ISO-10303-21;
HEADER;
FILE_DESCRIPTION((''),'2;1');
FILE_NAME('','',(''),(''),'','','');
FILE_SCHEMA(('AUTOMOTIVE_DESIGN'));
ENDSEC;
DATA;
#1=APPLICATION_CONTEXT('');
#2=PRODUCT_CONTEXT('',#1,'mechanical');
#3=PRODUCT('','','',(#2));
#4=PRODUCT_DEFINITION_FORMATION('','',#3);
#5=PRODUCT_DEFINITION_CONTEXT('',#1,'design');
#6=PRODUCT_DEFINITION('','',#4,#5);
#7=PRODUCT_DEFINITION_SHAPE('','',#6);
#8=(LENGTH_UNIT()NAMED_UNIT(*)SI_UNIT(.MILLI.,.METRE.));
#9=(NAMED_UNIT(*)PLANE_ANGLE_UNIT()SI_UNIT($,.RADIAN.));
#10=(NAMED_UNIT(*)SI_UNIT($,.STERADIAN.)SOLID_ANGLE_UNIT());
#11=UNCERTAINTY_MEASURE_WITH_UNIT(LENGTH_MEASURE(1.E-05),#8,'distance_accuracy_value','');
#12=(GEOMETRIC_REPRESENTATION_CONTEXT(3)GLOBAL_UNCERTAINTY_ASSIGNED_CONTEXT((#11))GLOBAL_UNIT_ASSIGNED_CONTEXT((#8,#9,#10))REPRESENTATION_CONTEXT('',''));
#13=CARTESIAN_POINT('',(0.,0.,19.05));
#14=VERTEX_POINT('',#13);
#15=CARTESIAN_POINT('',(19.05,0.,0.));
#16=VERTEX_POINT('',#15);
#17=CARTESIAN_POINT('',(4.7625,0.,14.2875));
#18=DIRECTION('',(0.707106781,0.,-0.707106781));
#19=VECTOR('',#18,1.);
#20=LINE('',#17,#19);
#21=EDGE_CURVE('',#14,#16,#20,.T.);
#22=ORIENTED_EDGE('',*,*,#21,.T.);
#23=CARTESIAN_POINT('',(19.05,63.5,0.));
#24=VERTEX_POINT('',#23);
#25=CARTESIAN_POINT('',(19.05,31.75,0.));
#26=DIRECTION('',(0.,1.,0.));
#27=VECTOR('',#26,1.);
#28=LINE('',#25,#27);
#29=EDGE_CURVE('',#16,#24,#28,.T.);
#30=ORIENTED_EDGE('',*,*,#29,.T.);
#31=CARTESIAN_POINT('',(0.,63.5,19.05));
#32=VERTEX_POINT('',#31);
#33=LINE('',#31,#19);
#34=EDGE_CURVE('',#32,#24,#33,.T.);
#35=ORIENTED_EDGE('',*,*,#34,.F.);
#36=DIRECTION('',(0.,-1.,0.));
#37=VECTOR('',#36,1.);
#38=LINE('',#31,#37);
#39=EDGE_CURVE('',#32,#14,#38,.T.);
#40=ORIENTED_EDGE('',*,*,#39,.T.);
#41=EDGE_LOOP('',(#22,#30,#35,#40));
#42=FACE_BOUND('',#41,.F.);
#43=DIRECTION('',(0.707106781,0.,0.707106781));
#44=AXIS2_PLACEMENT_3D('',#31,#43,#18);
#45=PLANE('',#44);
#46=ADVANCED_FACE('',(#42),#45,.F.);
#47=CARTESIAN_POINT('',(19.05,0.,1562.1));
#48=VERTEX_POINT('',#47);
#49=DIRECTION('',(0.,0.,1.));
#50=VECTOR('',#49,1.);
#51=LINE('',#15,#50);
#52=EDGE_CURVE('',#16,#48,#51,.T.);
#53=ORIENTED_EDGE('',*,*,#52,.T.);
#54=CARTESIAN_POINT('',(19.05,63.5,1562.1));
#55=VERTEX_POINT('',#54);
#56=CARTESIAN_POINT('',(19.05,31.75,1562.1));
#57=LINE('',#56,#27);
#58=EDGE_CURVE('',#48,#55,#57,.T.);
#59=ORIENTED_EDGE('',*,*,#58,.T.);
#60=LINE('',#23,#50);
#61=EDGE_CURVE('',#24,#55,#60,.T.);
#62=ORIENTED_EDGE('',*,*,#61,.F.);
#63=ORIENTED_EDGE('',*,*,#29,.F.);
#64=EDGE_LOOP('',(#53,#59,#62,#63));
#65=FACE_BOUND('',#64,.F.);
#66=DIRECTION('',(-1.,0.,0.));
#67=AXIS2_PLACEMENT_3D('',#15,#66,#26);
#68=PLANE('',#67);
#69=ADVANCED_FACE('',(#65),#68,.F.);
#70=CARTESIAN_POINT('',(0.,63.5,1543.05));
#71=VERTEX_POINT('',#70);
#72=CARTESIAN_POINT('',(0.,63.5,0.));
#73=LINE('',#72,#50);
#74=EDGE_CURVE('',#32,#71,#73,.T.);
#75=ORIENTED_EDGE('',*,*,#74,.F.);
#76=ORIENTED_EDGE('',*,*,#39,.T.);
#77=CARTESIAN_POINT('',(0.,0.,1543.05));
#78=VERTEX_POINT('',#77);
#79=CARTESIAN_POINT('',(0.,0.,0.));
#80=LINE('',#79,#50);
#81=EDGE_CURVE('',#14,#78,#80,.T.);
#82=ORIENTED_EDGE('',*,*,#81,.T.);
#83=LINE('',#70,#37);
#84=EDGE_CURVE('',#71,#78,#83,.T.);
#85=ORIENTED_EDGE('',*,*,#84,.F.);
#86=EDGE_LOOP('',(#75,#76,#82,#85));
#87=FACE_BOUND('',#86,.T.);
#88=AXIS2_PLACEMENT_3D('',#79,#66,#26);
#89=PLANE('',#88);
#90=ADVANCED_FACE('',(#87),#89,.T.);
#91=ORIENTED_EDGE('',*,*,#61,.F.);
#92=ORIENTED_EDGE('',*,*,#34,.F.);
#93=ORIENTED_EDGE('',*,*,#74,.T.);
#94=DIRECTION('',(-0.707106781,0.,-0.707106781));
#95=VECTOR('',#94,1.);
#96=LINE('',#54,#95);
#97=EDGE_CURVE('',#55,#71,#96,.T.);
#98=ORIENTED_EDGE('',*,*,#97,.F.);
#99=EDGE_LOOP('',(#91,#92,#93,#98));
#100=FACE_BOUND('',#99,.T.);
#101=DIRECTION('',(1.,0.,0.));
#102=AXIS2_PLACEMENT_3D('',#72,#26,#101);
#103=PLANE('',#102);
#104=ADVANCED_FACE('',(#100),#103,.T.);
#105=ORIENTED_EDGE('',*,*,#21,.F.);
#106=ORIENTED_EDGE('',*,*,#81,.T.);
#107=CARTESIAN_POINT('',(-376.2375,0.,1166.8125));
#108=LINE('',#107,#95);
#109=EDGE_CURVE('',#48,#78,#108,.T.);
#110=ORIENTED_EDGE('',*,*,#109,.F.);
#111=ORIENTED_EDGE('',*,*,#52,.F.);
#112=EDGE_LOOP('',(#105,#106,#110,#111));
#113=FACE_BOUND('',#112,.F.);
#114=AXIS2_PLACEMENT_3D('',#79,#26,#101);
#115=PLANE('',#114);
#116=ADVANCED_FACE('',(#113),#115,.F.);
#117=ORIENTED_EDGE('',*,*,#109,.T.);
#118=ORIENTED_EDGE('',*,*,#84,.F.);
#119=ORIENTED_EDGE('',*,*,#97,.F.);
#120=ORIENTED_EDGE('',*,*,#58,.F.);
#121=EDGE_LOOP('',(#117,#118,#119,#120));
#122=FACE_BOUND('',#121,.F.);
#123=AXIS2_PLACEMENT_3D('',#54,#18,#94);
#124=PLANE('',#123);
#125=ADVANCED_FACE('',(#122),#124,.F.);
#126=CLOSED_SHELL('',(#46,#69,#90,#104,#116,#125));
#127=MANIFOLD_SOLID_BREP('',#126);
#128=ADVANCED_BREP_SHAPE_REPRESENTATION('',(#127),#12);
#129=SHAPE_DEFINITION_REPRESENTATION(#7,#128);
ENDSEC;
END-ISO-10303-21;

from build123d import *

# Parameters (mm, degrees)
F0_W     = 19.05
F0_H     = 63.5
F1_DEPTH = 1562.1
F3_DEPTH = 63.501
F5_DEPTH = 63.501


with BuildPart() as f1:
    # F0 (on Top) → F1 (new body)
    with BuildSketch(Plane.XY):
        with Locations((9.525, 31.75)):
            Rectangle(F0_W, F0_H)
    extrude(amount=F1_DEPTH)

    # F2 (on face) → F3 (cut, through all)
    with BuildSketch(Plane(origin=(0, 63.5, 0), x_dir=(-1, 0, 0), z_dir=(0, 1, 0))):
        Polygon((0, 19.05), (-19.05, 0), (0, 0), align=None)
    extrude(amount=-F3_DEPTH, mode=Mode.SUBTRACT)

    # F4 (on face) → F5 (cut, through all)
    with BuildSketch(Plane(origin=(0, 63.5, 0), x_dir=(-1, 0, 0), z_dir=(0, 1, 0))):
        Polygon((0, 1562.1), (-19.05, 1562.1), (0, 1543.05), align=None)
    extrude(amount=-F5_DEPTH, mode=Mode.SUBTRACT)


solid = f1.part
